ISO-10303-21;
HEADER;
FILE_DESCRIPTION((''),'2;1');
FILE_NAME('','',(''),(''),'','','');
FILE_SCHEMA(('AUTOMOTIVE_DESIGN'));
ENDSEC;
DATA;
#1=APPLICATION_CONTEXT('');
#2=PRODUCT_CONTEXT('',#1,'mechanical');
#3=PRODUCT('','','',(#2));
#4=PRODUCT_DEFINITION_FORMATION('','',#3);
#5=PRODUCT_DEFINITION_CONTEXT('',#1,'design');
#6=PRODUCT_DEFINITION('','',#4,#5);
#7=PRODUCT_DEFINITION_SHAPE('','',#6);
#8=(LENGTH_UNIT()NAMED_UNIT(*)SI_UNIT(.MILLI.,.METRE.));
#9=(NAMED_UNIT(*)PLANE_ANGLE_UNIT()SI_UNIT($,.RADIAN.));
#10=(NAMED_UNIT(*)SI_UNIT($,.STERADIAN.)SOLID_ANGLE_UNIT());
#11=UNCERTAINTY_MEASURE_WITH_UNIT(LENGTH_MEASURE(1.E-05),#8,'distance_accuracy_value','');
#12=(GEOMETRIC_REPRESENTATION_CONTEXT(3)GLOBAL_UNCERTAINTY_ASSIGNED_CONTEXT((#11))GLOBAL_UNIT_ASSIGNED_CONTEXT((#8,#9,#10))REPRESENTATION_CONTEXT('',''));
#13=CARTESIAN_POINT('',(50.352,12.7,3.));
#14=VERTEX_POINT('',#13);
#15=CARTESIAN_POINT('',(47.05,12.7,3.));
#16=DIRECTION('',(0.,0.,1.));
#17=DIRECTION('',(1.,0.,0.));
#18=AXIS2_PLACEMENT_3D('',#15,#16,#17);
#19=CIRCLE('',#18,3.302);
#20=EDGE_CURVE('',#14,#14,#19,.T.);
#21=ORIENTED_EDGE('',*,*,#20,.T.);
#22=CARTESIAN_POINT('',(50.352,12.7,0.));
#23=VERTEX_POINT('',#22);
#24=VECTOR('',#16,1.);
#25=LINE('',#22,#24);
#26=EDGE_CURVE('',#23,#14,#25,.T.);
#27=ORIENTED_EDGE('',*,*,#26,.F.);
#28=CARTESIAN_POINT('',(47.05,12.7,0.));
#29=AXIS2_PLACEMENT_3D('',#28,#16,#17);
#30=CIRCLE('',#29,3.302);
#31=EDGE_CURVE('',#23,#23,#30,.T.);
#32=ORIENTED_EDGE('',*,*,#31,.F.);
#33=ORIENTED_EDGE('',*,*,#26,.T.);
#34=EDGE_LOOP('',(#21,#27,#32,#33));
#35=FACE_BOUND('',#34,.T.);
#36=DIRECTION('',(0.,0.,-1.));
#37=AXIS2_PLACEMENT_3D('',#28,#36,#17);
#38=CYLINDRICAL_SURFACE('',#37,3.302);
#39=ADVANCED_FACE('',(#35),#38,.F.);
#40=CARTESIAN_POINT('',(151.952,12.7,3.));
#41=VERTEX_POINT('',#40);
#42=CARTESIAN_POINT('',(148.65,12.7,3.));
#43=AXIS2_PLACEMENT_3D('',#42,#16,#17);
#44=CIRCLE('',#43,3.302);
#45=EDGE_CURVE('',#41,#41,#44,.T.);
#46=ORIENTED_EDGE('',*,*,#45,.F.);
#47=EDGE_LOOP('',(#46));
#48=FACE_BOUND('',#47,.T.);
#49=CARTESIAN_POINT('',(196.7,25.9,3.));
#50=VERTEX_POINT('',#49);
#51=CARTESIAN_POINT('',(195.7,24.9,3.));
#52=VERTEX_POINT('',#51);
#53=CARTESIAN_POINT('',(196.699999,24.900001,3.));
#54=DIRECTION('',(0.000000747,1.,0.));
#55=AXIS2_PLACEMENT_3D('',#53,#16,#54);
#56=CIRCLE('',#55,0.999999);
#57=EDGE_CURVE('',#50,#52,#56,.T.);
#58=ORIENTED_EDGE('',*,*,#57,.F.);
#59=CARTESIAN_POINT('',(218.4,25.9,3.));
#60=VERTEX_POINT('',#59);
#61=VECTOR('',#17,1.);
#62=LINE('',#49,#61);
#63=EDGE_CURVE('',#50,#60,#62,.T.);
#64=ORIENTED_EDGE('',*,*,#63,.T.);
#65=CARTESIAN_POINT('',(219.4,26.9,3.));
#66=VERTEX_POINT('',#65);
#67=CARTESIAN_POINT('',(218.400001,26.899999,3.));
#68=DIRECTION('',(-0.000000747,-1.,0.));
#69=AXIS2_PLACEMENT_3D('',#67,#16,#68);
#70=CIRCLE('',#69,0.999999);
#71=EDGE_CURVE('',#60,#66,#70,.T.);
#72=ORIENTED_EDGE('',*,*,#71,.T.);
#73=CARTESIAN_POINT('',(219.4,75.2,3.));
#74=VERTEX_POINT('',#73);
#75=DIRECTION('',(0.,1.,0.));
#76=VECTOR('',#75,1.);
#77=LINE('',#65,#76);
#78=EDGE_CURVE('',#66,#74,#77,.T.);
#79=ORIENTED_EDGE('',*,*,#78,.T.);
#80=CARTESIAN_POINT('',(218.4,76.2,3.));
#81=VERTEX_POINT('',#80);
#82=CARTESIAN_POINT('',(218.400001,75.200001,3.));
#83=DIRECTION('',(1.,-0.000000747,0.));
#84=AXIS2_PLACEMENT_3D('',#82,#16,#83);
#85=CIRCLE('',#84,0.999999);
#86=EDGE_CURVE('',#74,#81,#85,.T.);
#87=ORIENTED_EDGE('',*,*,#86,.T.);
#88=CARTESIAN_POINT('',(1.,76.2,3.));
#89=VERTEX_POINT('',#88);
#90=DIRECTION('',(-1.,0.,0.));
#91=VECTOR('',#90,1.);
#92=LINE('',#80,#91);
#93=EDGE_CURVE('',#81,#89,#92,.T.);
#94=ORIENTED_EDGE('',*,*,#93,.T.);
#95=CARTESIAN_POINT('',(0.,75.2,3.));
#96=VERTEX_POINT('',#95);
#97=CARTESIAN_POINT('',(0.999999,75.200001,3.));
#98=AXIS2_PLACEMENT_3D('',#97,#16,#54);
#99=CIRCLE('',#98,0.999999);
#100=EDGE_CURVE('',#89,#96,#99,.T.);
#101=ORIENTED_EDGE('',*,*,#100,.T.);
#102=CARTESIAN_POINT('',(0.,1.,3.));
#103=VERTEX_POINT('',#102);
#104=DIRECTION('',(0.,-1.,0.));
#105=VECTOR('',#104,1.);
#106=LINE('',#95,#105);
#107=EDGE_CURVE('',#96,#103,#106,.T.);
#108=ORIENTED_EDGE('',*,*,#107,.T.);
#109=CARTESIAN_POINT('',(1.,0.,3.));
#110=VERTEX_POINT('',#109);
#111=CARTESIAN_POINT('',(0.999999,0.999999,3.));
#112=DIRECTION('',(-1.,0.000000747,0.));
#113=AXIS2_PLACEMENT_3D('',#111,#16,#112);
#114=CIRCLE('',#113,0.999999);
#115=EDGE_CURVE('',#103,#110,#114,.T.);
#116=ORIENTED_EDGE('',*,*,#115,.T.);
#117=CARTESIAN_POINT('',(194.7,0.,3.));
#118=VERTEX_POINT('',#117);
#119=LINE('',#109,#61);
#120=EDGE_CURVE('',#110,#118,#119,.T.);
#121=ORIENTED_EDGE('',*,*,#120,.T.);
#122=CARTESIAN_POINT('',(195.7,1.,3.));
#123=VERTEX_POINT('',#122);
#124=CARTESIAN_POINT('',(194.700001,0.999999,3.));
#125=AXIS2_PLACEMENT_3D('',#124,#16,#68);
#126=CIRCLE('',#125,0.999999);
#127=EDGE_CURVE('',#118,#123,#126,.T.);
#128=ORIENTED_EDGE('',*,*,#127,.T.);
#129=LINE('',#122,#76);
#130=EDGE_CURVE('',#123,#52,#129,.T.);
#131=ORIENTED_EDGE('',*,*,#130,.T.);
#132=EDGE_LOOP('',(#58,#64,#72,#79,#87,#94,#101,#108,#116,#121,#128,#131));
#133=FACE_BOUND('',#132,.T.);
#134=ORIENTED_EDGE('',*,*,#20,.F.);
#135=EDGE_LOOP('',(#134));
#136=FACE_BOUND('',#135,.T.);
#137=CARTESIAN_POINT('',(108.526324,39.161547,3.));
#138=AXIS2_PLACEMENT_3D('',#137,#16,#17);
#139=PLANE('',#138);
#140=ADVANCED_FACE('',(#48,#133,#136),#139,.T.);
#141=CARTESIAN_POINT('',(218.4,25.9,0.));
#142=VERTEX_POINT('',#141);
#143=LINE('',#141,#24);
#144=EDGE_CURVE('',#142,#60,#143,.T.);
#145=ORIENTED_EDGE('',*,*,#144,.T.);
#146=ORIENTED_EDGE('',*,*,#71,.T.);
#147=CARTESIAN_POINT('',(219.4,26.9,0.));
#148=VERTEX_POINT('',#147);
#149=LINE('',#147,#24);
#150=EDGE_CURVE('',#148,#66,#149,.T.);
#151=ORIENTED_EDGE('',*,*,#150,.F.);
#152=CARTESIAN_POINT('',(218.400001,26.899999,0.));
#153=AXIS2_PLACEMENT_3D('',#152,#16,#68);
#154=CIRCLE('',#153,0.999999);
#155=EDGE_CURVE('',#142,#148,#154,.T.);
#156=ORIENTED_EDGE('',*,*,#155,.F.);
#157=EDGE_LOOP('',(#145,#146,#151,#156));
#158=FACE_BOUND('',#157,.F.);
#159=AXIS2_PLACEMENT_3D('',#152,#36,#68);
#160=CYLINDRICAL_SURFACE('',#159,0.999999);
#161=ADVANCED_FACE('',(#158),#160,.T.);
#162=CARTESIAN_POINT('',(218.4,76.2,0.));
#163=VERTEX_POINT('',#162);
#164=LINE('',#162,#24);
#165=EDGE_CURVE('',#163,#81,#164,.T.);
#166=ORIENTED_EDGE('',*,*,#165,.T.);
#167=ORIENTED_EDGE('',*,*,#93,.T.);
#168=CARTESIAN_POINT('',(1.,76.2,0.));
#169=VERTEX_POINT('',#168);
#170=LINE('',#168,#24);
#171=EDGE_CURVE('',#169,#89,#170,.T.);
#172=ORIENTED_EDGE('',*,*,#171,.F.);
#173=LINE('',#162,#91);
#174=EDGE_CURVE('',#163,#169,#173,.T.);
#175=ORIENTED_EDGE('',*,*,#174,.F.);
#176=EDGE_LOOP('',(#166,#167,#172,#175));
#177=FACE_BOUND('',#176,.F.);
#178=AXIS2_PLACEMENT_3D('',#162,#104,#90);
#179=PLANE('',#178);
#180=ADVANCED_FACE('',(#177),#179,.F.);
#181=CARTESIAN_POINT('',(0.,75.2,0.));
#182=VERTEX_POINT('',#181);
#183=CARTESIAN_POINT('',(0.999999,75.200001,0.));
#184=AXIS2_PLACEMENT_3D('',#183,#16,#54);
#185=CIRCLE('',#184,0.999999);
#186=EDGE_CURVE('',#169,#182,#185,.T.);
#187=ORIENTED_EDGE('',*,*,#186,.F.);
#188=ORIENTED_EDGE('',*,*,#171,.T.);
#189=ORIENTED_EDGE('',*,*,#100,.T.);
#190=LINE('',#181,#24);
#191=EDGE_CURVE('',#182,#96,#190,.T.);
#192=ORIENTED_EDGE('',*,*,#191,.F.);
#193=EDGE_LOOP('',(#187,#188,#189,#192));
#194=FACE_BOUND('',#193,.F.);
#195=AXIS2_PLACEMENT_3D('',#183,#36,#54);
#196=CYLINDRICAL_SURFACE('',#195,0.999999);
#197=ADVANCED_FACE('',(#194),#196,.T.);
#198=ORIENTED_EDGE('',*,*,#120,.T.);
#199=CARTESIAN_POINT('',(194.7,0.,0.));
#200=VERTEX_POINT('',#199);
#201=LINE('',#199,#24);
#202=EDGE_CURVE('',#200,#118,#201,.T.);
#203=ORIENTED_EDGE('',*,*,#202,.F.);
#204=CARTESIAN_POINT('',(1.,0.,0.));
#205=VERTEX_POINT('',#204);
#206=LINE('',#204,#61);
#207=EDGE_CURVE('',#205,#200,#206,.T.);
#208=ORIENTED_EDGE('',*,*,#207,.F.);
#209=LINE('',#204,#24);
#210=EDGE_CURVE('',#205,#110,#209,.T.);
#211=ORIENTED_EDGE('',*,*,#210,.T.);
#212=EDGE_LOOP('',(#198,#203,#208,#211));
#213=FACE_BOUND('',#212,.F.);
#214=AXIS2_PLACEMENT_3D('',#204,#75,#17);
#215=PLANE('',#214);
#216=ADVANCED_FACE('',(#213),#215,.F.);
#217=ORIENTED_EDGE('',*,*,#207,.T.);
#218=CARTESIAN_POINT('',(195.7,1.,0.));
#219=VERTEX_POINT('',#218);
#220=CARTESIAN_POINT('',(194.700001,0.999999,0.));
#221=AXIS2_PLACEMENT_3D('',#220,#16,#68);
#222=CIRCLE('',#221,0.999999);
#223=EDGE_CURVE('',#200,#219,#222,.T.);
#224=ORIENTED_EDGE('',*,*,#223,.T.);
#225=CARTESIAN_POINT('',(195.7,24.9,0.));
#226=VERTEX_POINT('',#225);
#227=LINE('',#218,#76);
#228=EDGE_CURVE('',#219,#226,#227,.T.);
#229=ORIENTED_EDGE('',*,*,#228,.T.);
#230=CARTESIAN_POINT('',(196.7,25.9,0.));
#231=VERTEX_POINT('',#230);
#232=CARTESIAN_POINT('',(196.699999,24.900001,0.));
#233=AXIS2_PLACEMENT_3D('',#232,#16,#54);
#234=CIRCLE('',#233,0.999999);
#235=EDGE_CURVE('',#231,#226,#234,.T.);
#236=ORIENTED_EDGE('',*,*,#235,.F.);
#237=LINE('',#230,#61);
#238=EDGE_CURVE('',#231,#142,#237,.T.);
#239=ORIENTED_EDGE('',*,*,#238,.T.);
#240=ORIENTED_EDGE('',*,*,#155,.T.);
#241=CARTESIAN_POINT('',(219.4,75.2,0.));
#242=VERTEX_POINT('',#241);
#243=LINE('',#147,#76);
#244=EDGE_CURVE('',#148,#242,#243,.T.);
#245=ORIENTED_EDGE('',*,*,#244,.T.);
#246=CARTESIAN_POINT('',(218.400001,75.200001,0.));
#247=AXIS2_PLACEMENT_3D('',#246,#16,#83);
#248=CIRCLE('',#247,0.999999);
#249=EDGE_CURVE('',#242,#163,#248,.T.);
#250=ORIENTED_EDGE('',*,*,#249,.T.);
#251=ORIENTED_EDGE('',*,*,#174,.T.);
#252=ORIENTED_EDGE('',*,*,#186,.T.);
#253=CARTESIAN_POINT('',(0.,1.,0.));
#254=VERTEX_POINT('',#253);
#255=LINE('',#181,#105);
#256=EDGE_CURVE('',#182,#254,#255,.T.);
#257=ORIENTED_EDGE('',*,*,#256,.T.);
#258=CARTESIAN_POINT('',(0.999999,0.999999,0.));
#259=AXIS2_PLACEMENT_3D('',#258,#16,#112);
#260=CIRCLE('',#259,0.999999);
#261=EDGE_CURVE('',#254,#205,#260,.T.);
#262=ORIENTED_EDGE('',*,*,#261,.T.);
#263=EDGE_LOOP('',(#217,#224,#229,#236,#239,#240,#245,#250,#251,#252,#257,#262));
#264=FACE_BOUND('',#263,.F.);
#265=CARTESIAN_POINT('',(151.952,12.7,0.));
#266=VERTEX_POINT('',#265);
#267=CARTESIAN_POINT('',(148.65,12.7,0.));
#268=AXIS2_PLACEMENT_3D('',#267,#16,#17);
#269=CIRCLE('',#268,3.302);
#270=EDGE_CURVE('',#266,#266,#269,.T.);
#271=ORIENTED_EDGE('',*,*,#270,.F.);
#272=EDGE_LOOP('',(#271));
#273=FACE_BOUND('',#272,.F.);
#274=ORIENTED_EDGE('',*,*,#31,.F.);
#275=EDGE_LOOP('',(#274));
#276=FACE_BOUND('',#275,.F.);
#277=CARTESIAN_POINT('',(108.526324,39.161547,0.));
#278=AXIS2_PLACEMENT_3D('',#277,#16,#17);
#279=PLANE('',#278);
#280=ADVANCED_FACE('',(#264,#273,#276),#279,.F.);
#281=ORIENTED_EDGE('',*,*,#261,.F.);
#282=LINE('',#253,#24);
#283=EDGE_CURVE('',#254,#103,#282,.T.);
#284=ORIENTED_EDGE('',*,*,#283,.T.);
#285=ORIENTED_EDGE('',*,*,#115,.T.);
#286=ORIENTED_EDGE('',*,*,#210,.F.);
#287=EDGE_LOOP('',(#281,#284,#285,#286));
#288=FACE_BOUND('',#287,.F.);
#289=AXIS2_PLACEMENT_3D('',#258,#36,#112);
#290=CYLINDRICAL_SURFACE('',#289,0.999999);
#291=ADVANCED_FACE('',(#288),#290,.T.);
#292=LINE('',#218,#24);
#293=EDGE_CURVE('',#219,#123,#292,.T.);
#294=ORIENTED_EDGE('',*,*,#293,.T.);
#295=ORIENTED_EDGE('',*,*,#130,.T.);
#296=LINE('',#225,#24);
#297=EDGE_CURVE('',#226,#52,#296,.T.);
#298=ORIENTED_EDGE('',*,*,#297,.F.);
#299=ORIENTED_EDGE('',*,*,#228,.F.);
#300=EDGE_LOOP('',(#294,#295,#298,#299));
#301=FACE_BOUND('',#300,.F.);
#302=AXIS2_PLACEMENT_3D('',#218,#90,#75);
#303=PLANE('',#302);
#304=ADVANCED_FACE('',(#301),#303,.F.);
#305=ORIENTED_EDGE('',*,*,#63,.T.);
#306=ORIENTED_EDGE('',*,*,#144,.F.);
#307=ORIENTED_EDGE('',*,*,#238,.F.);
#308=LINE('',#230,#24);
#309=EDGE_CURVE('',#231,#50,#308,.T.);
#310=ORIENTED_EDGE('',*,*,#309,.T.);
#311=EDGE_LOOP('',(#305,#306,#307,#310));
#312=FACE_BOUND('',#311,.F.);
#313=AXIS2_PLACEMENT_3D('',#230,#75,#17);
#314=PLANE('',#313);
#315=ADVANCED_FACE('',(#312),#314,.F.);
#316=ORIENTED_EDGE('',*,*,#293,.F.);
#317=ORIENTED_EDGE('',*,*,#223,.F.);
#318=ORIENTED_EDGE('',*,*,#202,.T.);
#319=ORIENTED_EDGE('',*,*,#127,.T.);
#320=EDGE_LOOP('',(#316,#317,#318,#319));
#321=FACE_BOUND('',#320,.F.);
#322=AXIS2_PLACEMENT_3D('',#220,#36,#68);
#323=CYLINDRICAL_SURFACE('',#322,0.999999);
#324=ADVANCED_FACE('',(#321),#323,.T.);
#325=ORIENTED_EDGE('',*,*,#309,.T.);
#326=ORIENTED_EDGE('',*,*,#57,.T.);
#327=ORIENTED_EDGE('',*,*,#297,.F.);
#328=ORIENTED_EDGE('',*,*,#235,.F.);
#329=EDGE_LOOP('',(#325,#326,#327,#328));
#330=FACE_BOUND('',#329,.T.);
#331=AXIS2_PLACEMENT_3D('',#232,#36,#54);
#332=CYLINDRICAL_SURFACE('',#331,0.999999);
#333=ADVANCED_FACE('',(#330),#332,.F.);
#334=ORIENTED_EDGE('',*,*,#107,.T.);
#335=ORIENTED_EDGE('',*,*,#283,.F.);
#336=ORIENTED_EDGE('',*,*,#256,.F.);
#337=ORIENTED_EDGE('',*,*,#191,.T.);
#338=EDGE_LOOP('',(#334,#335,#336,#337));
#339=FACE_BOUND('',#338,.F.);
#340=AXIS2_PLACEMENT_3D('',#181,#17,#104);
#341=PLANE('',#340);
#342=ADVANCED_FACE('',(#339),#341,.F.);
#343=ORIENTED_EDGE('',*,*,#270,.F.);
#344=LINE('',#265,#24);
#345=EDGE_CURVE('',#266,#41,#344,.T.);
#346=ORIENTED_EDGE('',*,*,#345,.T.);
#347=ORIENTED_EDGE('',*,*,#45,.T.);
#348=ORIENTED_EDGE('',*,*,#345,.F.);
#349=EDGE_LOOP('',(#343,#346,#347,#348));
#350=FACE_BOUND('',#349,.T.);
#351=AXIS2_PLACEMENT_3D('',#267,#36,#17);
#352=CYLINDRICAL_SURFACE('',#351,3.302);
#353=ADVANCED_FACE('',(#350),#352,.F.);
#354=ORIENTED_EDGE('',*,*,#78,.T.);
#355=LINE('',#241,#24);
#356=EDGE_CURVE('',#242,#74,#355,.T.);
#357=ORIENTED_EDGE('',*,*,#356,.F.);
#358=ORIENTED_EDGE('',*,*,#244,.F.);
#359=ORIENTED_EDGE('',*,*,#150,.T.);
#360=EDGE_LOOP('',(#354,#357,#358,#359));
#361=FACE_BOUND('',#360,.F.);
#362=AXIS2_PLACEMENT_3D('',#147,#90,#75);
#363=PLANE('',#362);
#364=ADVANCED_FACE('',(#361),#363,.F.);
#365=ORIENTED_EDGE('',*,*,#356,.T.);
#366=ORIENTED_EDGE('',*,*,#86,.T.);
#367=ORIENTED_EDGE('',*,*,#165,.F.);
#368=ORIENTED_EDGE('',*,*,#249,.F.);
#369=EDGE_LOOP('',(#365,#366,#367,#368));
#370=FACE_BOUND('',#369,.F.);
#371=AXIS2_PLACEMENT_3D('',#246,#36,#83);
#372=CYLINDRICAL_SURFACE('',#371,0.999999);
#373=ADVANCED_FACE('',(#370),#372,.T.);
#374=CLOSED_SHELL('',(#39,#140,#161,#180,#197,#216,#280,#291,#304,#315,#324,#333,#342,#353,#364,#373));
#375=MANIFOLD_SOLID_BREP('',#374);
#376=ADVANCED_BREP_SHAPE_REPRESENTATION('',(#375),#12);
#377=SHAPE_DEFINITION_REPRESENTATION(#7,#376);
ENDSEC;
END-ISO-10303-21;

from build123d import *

# Parameters (mm, degrees)
SKETCH_R  = 3.302
PAD_DEPTH = 3


with BuildPart() as part:
    # Sketch → Pad (new body)
    with BuildSketch(Plane.XY):
        with BuildLine():
            Line((0, 75.2), (0, 1))
            ThreePointArc((0, 1), (0.292893, 0.292893), (1, 0))
            Line((1, 0), (194.7, 0))
            ThreePointArc((194.7, 0), (195.407107, 0.292893), (195.7, 1))
            Line((195.7, 1), (195.7, 24.9))
            ThreePointArc((196.7, 25.9), (195.992893, 25.607107), (195.7, 24.9))
            Line((196.7, 25.9), (218.4, 25.9))
            ThreePointArc((218.4, 25.9), (219.107107, 26.192893), (219.4, 26.9))
            Line((219.4, 26.9), (219.4, 75.2))
            ThreePointArc((219.4, 75.2), (219.107107, 75.907107), (218.4, 76.2))
            Line((218.4, 76.2), (1, 76.2))
            ThreePointArc((1, 76.2), (0.292893, 75.907107), (0, 75.2))
        make_face()
        with Locations((47.05, 12.7)):
            Circle(SKETCH_R, mode=Mode.SUBTRACT)
        with Locations((148.65, 12.7)):
            Circle(SKETCH_R, mode=Mode.SUBTRACT)
    extrude(amount=PAD_DEPTH)


solid = part.part
